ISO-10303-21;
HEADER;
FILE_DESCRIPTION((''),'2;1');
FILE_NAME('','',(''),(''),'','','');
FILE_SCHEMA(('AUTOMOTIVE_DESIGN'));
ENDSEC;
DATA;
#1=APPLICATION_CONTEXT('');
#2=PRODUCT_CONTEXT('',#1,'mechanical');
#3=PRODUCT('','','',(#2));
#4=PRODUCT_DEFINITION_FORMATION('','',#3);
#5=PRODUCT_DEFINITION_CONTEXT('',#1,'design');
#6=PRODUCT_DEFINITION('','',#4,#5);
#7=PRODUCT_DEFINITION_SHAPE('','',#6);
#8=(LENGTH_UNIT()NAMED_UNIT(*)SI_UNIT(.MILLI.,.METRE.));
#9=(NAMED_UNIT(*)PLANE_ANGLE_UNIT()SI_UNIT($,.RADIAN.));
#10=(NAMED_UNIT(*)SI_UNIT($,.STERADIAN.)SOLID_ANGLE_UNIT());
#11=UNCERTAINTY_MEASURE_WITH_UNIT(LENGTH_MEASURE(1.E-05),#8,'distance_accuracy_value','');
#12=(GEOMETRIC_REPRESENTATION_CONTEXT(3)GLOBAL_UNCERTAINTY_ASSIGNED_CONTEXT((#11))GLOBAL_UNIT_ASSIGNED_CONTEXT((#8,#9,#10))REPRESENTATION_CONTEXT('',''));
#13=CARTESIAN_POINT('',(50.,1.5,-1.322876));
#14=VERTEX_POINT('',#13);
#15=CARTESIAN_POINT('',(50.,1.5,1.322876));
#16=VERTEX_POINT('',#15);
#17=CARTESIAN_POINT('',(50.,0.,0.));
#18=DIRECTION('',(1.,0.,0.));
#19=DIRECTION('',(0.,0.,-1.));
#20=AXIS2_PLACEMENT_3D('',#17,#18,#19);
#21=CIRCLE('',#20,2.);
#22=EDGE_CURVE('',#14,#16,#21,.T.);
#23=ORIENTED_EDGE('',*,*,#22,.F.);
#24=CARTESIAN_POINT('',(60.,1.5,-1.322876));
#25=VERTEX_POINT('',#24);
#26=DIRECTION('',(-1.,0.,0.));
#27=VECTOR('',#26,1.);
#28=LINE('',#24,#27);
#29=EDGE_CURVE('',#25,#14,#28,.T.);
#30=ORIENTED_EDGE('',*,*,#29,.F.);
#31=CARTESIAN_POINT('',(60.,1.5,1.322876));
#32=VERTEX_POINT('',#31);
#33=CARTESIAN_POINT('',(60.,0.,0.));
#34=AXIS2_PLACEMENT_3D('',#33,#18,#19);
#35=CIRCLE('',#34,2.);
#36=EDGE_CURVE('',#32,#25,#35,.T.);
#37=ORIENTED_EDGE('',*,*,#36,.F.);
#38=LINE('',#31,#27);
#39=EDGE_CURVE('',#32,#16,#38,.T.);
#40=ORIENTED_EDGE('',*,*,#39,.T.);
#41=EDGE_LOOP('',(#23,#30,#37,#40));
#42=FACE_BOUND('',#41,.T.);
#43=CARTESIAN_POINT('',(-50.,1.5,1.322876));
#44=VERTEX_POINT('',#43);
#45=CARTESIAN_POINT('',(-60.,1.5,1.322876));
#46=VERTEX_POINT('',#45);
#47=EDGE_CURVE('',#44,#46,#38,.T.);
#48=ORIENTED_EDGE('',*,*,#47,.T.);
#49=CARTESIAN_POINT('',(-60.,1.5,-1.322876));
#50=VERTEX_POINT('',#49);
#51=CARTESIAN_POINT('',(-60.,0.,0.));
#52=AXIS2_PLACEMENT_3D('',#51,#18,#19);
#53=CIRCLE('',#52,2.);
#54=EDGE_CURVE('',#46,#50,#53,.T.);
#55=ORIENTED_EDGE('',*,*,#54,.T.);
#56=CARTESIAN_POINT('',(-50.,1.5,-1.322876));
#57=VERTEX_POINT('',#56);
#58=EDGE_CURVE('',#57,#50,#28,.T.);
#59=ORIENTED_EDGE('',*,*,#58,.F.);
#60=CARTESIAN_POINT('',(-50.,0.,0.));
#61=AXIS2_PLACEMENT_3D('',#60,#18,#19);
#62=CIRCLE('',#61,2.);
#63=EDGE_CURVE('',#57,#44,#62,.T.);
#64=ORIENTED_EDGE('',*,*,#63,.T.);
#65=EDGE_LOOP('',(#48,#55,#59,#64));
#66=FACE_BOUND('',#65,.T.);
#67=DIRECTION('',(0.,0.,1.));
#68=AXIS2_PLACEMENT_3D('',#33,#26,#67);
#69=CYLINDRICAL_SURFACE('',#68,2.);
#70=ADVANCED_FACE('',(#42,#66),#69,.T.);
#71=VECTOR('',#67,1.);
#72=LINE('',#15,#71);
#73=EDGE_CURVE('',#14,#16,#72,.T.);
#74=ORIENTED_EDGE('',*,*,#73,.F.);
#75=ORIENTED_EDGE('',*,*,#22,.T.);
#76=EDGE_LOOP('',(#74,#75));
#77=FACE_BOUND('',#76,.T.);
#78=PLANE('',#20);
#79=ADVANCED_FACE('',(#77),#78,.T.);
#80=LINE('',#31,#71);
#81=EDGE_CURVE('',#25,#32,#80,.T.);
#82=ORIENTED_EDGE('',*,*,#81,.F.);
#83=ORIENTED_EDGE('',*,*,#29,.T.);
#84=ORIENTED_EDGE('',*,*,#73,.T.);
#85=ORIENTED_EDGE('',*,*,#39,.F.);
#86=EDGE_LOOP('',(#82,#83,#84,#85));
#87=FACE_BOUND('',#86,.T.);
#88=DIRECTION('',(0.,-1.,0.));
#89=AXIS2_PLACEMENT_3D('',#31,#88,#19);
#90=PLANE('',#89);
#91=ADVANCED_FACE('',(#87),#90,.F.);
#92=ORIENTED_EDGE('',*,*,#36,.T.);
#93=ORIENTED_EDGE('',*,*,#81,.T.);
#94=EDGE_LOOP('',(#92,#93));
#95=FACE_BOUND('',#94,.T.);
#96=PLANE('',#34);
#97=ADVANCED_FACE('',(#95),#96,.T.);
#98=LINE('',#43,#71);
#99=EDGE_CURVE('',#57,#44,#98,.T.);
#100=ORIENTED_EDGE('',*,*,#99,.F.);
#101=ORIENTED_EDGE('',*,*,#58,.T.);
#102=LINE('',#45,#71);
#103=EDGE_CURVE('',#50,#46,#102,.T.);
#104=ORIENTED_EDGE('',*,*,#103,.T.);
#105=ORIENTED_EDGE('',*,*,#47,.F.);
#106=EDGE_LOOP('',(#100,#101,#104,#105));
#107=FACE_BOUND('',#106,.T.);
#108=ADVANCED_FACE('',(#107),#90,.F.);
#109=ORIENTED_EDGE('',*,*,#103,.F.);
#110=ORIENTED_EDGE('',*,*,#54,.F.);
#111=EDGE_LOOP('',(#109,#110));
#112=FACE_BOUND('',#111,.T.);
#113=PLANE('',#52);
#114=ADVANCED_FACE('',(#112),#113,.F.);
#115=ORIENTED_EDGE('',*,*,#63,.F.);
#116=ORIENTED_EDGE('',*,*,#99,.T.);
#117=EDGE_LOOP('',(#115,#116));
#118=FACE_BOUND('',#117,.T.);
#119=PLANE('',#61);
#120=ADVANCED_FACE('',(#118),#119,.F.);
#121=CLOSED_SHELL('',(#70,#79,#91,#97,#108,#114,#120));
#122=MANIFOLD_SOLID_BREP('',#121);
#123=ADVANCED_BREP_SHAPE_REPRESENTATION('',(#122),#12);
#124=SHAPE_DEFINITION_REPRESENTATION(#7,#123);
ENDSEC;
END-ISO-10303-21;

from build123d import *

# Parameters (mm, degrees)
BOSS_EXTRUDE1_DEPTH = 60
SKETCH2_R           = 2
BOSS_EXTRUDE2_DEPTH = 50


with BuildPart() as part:
    # Sketch1 → Boss-Extrude1 (new body, symmetric)
    with BuildSketch(Plane(origin=(0, 0, 0), x_dir=(0, 0, -1), z_dir=(1, 0, 0))):
        with BuildLine():
            Line((-1.322875656, 1.5), (1.322875656, 1.5))
            ThreePointArc((1.322875656, 1.5), (0, -2), (-1.322875656, 1.5))
        make_face()
    extrude(amount=BOSS_EXTRUDE1_DEPTH, both=True)

    # Sketch2 → Boss-Extrude2 (add, symmetric)
    with BuildSketch(Plane(origin=(0, 0, 0), x_dir=(0, 0, -1), z_dir=(1, 0, 0))):
        Circle(SKETCH2_R)
    extrude(amount=BOSS_EXTRUDE2_DEPTH, both=True)


solid = part.part
